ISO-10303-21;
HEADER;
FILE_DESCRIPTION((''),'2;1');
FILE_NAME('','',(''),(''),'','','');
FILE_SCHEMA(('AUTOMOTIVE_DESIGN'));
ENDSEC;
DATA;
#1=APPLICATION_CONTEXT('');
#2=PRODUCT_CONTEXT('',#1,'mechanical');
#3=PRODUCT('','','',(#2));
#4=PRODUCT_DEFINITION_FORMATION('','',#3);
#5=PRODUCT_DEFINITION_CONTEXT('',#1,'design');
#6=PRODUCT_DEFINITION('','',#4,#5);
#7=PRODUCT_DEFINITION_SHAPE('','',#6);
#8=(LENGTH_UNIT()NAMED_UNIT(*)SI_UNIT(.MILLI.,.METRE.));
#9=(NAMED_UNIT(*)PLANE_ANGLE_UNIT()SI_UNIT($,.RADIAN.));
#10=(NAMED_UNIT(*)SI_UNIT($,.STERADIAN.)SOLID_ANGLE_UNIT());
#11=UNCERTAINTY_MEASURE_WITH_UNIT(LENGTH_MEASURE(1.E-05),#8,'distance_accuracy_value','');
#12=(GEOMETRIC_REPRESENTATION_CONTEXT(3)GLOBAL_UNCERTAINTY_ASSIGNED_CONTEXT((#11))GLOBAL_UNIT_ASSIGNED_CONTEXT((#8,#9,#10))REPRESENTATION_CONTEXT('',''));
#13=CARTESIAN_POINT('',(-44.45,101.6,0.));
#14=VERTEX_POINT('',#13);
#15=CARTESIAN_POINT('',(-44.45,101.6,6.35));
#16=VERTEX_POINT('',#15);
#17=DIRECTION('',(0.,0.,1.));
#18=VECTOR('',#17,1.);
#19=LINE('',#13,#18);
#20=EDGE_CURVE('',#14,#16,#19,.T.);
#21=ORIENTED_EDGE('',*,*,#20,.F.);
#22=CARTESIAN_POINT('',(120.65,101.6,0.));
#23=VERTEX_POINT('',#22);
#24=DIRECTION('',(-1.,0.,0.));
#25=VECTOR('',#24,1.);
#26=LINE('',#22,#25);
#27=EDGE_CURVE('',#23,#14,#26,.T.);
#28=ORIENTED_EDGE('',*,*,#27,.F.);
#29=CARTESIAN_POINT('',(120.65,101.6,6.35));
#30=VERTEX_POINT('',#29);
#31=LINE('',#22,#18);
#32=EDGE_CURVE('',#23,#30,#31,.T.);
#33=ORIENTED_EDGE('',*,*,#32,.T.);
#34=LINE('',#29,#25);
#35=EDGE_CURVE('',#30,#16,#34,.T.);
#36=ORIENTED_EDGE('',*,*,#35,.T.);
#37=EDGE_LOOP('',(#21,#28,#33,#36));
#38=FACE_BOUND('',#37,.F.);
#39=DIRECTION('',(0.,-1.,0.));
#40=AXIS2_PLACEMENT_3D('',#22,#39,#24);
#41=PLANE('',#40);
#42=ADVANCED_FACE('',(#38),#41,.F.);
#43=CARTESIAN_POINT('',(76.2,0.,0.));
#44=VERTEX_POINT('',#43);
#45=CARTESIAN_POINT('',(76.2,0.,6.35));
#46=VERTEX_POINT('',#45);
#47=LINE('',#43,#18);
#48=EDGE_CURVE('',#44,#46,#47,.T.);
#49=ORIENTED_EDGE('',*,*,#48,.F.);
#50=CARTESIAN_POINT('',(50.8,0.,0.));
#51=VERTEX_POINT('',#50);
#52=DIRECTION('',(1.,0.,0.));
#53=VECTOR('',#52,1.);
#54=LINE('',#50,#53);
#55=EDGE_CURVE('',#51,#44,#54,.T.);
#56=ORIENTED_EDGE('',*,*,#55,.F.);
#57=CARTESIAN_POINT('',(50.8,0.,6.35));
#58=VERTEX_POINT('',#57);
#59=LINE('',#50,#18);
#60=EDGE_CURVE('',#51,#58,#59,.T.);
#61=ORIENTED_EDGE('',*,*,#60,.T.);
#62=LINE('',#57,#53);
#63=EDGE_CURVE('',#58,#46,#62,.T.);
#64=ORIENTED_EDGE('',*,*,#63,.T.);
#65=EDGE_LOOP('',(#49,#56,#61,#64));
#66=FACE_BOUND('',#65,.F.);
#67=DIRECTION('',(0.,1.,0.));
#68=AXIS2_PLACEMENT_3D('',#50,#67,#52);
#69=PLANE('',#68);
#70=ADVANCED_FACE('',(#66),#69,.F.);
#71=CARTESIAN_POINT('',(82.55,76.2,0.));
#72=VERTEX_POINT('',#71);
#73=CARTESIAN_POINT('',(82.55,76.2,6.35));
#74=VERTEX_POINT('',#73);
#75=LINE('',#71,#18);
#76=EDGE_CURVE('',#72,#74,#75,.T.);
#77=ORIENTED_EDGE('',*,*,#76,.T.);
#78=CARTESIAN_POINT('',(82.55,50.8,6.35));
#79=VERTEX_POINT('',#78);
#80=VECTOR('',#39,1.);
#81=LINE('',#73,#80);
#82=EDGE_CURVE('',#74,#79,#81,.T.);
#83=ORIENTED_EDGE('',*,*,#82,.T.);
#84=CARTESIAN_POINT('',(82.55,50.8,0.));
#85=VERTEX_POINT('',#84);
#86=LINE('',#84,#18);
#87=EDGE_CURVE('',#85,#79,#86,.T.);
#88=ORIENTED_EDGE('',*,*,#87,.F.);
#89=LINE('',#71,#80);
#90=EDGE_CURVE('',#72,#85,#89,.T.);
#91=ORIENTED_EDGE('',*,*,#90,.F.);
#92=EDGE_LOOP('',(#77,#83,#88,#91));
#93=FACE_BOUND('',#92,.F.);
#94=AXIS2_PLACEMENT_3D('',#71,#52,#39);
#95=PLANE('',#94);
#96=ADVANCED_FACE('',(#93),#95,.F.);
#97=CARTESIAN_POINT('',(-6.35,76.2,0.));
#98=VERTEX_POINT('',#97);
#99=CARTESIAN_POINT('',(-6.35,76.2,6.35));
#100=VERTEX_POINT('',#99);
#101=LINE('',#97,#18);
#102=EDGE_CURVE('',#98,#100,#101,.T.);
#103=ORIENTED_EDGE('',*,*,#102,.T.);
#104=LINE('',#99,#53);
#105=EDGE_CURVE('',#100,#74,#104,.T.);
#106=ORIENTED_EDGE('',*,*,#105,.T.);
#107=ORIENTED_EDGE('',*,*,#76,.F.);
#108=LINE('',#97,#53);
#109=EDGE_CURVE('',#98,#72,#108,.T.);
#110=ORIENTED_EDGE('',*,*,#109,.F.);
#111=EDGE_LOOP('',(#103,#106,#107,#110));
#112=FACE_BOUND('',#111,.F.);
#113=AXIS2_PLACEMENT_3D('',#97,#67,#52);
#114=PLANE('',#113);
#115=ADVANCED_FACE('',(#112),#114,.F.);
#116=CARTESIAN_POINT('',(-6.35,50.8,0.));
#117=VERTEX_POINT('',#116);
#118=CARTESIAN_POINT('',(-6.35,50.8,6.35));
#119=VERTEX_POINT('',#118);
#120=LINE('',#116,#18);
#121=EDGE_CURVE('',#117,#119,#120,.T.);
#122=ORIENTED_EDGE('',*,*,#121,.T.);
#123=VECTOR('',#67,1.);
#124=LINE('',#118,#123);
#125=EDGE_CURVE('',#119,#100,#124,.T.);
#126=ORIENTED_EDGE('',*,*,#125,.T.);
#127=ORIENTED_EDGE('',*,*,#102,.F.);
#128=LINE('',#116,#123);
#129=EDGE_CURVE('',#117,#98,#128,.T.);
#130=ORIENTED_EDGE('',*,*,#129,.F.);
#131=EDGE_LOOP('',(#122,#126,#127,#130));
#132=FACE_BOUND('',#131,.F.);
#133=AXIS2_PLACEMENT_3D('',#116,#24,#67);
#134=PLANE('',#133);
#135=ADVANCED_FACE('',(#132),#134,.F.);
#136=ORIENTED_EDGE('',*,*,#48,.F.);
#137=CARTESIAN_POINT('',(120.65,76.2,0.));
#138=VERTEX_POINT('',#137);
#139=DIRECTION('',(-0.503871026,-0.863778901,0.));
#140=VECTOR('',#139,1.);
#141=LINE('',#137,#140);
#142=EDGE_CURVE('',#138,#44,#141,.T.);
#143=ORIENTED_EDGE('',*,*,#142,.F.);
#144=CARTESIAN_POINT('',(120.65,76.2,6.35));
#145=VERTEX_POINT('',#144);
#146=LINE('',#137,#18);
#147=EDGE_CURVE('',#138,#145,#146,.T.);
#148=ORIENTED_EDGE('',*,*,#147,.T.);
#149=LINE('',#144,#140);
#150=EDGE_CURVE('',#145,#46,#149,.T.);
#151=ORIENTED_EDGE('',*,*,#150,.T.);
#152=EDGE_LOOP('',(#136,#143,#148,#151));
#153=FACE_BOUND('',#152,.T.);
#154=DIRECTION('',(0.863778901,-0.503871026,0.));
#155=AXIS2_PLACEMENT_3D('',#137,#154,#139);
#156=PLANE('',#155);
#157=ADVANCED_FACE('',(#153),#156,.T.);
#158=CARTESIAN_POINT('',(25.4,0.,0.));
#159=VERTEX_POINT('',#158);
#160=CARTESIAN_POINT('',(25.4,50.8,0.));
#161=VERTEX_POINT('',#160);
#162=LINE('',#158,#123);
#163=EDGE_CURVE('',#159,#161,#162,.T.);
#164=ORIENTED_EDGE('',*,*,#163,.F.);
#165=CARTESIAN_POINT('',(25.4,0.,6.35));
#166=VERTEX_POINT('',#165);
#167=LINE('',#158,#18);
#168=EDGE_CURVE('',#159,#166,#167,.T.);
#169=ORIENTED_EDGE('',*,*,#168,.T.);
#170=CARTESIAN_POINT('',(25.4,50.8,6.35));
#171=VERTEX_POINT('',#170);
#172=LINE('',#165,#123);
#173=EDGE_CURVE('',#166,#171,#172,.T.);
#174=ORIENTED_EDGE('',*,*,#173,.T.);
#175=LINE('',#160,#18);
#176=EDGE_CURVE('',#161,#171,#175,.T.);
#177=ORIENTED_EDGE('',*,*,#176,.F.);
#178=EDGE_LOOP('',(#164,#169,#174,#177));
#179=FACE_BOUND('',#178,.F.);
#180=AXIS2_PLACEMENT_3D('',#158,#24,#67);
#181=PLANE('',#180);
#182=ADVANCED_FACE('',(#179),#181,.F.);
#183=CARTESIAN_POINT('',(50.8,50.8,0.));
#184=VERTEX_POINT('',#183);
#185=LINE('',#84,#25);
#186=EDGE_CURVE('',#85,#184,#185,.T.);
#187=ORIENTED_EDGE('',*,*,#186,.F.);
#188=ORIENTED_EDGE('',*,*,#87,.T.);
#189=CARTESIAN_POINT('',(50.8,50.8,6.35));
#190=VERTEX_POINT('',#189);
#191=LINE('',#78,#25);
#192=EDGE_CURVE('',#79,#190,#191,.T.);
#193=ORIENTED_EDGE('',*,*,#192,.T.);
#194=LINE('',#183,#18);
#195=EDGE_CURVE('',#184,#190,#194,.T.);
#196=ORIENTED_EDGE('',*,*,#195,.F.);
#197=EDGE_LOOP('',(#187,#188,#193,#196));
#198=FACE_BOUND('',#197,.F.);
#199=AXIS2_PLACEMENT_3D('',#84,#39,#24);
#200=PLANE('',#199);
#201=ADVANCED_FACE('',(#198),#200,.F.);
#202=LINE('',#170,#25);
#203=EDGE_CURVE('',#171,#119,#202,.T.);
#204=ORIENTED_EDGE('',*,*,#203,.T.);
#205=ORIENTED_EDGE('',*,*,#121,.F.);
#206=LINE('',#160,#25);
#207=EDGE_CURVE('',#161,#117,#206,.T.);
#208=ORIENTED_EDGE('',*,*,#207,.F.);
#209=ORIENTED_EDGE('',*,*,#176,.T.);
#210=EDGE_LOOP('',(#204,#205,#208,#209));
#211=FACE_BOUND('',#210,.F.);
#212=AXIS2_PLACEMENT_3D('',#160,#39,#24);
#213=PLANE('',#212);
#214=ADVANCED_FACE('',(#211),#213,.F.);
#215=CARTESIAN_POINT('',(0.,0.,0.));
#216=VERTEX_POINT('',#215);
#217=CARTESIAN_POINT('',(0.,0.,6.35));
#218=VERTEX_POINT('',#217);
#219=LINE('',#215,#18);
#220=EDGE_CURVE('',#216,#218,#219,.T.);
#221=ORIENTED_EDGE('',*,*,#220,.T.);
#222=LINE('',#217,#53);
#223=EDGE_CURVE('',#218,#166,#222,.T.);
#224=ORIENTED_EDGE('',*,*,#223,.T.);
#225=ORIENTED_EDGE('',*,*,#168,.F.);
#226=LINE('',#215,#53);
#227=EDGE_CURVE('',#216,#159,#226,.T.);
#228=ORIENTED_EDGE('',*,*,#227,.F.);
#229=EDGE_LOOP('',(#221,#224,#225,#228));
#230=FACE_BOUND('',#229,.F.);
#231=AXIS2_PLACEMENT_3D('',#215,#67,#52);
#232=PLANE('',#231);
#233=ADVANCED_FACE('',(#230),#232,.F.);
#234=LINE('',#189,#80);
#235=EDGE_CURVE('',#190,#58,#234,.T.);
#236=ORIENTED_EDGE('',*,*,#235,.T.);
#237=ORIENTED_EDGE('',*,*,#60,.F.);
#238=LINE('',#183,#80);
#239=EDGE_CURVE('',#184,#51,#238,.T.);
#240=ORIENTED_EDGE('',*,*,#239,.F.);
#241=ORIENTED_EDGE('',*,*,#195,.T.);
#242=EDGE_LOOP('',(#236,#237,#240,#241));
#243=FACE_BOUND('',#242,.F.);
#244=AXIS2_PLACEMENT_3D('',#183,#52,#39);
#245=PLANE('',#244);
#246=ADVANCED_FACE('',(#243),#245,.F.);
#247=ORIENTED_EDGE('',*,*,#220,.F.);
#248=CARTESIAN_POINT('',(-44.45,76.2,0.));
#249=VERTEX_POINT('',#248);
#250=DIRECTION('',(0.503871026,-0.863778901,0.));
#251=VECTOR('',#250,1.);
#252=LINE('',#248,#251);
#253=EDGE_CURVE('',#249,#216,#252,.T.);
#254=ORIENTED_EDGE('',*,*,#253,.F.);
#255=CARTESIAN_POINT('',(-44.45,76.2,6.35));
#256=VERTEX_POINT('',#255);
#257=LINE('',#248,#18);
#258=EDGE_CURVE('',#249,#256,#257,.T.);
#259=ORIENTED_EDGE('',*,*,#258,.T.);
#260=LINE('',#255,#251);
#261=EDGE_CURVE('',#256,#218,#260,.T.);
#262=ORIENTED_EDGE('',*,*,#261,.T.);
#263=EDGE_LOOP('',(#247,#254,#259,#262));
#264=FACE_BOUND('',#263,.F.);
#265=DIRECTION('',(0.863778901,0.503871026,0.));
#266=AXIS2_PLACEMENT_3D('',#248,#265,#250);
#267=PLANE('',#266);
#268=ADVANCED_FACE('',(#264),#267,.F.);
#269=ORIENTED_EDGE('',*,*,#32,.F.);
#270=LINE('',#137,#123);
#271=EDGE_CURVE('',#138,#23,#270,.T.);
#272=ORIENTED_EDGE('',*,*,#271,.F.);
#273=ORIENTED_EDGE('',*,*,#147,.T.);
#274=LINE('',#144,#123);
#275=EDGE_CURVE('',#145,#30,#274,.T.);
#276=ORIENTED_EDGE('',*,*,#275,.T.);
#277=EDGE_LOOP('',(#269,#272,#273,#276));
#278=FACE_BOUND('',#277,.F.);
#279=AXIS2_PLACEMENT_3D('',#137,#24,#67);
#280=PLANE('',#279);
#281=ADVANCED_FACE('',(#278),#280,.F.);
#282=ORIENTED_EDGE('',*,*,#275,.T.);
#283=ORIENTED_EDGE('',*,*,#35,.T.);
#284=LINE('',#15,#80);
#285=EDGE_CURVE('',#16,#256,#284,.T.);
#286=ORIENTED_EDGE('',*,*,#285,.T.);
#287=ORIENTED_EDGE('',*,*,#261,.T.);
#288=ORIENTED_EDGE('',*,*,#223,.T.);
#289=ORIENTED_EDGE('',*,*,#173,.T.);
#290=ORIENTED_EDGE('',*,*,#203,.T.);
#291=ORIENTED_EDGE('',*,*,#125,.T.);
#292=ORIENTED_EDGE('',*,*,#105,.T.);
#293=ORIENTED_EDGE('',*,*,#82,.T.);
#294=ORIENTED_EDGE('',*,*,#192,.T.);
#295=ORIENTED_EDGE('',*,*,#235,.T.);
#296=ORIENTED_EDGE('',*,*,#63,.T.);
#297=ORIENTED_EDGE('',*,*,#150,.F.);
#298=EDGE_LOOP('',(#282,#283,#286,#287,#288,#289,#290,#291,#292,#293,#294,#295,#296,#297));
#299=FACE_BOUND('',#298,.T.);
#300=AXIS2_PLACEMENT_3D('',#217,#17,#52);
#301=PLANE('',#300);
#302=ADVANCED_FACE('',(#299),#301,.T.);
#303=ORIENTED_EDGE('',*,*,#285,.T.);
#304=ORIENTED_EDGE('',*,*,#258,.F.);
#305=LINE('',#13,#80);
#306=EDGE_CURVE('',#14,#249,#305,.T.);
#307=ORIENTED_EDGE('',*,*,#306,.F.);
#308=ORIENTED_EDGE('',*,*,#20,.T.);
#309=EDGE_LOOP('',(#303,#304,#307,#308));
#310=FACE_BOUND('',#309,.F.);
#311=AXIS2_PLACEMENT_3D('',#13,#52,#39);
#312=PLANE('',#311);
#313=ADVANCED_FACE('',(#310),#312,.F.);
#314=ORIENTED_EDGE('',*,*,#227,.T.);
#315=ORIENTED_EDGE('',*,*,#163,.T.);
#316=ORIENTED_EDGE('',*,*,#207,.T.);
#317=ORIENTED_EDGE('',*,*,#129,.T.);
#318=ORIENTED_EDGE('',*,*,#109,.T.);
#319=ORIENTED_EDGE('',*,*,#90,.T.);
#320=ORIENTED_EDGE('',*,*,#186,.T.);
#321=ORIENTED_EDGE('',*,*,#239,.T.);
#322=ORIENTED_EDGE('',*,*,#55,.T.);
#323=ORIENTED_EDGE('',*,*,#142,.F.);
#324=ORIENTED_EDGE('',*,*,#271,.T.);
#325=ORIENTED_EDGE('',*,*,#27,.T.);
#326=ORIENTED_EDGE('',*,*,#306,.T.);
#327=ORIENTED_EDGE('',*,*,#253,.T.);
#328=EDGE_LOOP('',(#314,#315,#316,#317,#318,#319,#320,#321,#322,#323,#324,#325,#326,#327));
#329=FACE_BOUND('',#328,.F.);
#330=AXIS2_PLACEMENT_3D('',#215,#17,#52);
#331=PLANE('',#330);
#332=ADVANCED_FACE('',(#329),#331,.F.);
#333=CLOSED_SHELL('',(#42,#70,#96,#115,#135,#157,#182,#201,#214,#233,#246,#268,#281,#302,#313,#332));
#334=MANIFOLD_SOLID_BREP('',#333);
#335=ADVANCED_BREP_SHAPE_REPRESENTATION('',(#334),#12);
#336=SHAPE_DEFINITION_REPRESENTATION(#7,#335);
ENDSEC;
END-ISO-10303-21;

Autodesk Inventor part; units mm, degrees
ref_plane "YZ Plane" through (0, 0, 0) normal (1, 0, 0) x (0, 1, 0)
ref_plane "XZ Plane" through (0, 0, 0) normal (0, 1, 0) x (-1, 0, 0)
ref_plane "XY Plane" through (0, 0, 0) normal (0, 0, 1) x (1, 0, 0)
sketch "Sketch1" plane through (0, 0, 0) normal (0, 0, 1) x (1, 0, 0)
  line L0 (0, 0) -> (25.4, 0)
  line L1 (25.4, 0) -> (25.4, 50.8)
  line L2 (25.4, 50.8) -> (-6.35, 50.8)
  line L3 (-6.35, 50.8) -> (-6.35, 76.2)
  line L4 (-6.35, 76.2) -> (82.55, 76.2)
  line L5 (82.55, 76.2) -> (82.55, 50.8)
  line L6 (82.55, 50.8) -> (50.8, 50.8)
  line L7 (50.8, 50.8) -> (50.8, 0)
  line L8 (50.8, 0) -> (76.2, 0)
  line L9 (120.65, 76.2) -> (76.2, 0)
  line L10 (120.65, 76.2) -> (120.65, 101.6)
  line L11 (120.65, 101.6) -> (-44.45, 101.6)
  line L12 (-44.45, 101.6) -> (-44.45, 76.2)
  line L13 (-44.45, 76.2) -> (0, 0)
  dimension "d0" = 25.4
  dimension "d1" = 50.8
  dimension "d2" = 31.75
  dimension "d3" = 25.4
  dimension "d4" = 88.9
  dimension "d5" = 25.4
  dimension "d6" = 31.75
  dimension "d7" = 25.4
  dimension "d10" = 25.4
  dimension "d11" = 165.1
  dimension "d12" = 25.4
extrude "Extrusion1" add sketch "Sketch1" along normal blind 6.35
properties part number "Assignment 3.1 - Latch Clip"
